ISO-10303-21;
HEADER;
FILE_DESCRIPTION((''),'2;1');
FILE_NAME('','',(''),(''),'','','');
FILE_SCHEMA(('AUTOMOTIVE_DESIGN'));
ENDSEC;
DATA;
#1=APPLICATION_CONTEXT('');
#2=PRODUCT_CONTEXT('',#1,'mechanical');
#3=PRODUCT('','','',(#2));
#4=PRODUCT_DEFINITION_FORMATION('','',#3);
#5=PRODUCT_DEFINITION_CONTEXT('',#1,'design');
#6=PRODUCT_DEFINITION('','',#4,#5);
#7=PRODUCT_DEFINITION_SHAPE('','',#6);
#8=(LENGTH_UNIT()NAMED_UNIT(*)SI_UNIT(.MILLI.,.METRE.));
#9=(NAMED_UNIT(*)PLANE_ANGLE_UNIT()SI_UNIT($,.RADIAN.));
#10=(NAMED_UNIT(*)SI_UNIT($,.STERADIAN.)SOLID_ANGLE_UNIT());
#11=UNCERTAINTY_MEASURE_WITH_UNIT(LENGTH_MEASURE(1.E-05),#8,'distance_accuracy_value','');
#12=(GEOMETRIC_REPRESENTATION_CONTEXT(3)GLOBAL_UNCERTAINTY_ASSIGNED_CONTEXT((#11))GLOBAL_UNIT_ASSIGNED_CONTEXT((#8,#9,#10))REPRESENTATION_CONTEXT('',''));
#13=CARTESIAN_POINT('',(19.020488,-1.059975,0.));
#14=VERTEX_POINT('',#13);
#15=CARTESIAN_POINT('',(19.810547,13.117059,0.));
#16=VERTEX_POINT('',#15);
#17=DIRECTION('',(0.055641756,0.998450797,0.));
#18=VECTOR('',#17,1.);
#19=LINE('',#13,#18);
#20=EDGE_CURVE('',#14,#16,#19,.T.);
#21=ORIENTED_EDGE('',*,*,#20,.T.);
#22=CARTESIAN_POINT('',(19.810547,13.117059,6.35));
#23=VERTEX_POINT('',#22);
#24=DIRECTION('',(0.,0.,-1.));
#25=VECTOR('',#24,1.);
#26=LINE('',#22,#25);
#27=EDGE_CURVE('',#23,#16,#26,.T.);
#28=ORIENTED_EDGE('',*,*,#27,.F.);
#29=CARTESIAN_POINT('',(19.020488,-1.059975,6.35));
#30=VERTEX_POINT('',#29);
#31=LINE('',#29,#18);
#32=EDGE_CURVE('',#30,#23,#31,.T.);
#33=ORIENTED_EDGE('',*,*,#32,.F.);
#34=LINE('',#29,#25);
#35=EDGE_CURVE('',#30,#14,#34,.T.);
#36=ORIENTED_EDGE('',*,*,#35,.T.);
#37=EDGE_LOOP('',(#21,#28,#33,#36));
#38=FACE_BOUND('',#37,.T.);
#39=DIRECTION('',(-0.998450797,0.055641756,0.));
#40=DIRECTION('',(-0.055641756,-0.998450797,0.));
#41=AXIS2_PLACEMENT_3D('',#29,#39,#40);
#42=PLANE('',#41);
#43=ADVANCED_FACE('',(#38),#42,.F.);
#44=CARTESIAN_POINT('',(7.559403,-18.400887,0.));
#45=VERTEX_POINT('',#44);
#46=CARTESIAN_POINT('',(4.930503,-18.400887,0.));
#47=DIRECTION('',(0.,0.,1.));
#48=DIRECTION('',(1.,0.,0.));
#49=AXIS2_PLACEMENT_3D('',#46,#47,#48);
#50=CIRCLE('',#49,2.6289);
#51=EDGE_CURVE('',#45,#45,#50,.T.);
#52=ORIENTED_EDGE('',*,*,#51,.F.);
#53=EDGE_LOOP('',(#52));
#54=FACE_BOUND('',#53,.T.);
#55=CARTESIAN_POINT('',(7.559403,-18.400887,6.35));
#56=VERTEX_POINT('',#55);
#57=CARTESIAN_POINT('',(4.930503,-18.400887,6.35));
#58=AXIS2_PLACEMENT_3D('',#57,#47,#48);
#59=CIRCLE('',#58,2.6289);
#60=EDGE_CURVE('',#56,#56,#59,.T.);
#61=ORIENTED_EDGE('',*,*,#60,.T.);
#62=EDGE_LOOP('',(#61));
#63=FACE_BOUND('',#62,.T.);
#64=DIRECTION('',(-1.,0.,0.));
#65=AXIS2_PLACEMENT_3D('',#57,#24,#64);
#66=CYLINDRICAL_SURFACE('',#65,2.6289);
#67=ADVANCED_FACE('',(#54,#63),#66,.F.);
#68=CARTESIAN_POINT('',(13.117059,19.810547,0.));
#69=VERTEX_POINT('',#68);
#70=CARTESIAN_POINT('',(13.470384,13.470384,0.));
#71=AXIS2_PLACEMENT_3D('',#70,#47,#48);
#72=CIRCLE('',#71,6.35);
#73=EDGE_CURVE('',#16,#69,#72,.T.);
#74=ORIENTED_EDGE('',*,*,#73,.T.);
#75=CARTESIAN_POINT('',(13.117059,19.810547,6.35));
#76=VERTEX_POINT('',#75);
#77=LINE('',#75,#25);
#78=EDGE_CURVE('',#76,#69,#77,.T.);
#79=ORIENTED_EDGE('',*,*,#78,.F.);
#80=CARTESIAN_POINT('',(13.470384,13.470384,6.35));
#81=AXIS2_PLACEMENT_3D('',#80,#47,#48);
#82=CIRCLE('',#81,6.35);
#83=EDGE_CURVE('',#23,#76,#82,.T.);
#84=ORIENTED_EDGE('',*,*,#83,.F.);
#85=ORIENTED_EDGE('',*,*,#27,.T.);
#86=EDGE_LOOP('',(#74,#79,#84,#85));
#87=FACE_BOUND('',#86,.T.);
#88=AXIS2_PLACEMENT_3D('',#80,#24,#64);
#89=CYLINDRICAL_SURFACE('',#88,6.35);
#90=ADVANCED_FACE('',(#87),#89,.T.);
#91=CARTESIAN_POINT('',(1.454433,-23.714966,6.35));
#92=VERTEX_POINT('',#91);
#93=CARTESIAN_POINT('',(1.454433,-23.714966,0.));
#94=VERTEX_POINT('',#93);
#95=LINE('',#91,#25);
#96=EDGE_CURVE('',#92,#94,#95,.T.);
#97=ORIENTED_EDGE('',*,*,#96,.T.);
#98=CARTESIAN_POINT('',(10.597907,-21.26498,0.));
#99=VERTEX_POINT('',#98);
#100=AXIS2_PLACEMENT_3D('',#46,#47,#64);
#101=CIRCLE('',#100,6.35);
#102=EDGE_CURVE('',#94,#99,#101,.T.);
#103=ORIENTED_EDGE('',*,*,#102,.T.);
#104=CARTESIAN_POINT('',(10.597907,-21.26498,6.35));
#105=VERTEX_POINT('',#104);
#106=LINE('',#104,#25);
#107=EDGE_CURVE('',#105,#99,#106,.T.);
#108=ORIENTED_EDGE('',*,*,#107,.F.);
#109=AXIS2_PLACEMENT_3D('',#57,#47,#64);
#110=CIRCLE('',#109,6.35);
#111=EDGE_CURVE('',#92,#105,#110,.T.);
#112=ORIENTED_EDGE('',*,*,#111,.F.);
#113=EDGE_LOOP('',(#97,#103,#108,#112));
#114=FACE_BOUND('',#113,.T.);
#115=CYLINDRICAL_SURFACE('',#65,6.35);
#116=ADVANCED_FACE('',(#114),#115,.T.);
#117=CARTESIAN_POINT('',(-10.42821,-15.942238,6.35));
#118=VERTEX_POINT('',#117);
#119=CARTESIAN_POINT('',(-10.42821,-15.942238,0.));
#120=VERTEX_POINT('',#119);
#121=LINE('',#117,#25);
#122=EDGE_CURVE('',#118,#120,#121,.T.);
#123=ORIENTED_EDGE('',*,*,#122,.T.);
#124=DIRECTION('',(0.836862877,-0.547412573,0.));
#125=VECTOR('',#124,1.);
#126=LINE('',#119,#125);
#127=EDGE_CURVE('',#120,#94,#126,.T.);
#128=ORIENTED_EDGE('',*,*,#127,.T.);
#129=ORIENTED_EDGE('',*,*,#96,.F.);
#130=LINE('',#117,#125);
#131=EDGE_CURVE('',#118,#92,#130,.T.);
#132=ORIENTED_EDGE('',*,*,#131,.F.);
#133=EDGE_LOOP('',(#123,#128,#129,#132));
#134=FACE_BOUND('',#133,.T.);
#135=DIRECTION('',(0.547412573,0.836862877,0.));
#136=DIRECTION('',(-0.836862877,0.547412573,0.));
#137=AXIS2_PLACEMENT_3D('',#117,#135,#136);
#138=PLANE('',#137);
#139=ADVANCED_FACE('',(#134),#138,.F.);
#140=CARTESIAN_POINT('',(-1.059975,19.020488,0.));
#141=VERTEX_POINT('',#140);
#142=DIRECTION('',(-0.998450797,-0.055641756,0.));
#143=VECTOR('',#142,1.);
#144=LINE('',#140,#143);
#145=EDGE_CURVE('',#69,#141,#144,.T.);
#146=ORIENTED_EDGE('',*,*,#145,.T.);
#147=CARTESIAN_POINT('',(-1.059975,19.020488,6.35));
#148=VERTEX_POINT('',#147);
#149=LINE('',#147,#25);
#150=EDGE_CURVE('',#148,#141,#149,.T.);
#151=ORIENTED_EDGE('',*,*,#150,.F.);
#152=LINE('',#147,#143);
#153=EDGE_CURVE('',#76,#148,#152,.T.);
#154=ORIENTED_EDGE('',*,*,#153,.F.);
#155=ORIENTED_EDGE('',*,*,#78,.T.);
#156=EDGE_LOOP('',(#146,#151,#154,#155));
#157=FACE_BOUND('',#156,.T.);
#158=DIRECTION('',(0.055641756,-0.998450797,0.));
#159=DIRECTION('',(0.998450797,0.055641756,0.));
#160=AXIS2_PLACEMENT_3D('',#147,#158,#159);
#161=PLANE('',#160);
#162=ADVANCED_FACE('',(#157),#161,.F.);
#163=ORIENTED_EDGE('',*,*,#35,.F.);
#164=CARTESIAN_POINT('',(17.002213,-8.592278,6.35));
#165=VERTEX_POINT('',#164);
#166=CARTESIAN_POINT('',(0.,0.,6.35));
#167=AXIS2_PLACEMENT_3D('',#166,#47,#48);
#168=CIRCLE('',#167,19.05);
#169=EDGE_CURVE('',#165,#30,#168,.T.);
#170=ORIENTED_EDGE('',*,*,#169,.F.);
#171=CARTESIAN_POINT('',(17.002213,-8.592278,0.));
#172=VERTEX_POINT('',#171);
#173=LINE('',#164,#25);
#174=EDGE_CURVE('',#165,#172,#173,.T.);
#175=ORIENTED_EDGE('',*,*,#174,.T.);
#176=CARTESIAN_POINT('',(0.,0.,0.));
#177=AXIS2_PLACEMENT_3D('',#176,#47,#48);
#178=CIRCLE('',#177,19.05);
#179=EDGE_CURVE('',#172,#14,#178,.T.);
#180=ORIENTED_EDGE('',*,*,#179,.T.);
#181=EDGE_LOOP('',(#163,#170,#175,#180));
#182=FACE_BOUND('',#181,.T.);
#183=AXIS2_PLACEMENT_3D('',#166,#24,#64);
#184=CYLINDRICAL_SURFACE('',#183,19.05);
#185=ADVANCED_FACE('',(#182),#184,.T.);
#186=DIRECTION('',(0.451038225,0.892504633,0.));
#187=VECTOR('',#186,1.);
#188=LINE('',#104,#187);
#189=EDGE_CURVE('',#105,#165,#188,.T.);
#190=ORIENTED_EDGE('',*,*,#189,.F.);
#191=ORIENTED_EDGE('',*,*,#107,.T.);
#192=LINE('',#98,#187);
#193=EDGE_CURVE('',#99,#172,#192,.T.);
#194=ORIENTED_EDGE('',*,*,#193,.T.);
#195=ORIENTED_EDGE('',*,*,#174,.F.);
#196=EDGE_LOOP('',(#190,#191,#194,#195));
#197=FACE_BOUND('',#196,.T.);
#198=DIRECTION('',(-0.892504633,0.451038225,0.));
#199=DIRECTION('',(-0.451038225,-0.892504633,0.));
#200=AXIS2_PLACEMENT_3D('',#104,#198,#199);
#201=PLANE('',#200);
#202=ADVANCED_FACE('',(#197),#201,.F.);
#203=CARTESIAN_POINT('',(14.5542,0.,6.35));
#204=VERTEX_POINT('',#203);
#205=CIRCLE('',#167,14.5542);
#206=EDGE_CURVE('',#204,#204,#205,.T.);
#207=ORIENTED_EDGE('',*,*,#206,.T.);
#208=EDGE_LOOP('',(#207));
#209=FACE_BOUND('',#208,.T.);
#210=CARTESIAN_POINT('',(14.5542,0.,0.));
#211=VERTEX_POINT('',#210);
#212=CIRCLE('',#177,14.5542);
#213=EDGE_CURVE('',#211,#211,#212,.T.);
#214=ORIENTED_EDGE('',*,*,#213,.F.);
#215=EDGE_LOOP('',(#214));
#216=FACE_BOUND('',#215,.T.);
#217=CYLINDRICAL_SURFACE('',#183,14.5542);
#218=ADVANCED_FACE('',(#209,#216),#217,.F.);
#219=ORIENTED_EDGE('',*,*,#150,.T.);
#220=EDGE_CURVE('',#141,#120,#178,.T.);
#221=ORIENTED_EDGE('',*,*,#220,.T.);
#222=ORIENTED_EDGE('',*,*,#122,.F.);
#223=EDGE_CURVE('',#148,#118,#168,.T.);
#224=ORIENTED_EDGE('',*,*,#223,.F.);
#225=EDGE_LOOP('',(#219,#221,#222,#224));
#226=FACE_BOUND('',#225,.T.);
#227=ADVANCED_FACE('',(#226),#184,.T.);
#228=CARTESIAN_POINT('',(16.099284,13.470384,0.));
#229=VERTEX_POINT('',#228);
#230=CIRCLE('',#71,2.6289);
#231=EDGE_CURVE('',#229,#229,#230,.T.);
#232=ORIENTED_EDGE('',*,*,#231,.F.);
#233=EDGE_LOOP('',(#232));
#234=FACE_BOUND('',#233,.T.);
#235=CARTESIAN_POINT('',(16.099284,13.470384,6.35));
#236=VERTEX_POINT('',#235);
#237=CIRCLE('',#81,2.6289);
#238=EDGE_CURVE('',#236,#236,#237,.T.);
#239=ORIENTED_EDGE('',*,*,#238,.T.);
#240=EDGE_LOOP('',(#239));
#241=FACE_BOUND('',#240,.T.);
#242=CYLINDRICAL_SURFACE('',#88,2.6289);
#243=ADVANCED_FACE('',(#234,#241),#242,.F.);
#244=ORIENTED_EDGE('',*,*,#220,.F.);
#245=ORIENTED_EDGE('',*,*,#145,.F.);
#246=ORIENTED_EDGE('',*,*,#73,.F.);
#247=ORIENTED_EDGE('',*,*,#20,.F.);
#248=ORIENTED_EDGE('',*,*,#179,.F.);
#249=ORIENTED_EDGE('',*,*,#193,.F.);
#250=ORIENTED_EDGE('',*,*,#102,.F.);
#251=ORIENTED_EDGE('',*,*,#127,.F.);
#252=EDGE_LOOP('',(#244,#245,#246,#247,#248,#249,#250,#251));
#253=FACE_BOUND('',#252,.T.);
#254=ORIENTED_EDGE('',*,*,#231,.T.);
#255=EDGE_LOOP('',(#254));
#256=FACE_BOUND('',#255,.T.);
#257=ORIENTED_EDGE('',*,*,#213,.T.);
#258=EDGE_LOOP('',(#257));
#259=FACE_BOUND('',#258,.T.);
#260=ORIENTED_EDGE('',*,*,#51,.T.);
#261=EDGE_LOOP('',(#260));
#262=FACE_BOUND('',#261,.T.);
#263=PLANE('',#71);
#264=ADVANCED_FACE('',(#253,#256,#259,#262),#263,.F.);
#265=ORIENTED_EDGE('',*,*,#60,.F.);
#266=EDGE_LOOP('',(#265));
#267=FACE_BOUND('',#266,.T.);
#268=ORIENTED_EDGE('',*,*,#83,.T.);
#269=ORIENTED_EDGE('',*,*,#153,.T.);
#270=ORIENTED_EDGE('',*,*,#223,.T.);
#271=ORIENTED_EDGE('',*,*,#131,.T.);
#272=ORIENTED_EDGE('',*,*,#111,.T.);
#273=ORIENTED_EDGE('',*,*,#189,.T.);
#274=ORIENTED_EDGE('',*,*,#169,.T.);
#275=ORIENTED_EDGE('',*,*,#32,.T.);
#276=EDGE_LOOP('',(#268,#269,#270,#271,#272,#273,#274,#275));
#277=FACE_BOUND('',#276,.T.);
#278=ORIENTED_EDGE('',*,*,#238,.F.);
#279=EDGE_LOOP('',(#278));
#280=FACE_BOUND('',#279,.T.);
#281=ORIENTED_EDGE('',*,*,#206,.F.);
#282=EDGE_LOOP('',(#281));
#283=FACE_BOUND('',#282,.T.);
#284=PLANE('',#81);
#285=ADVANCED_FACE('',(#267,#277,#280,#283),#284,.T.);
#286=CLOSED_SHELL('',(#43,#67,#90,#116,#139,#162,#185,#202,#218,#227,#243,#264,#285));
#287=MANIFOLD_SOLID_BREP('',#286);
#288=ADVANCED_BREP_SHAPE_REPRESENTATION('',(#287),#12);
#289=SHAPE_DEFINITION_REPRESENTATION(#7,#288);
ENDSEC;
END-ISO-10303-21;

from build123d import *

# Parameters (mm, degrees)
SKETCH1_R           = 14.5542
SKETCH1_R_2         = 2.6289
BOSS_EXTRUDE1_DEPTH = 6.35


with BuildPart() as part:
    # Sketch1 → Boss-Extrude1 (new body)
    with BuildSketch(Plane.XY):
        with BuildLine():
            Line((-10.428209513, -15.942237809), (1.454432972, -23.71496626))
            ThreePointArc((1.454432972, -23.71496626), (6.574003746, -24.534515988), (10.597907229, -21.264979717))
            Line((10.597907229, -21.264979717), (17.002213259, -8.592278179))
            ThreePointArc((17.002213259, -8.592278179), (18.400886991, -4.930502809), (19.020487692, -1.05997545))
            Line((19.020487692, -1.05997545), (19.810546746, 13.117059032))
            ThreePointArc((19.810546746, 13.117059032), (17.960512242, 17.960512242), (13.117059032, 19.810546746))
            Line((13.117059032, 19.810546746), (-1.05997545, 19.020487692))
            ThreePointArc((-1.05997545, 19.020487692), (-18.400886991, 4.930502809), (-10.428209513, -15.942237809))
        make_face()
        Circle(SKETCH1_R, mode=Mode.SUBTRACT)
        with Locations((4.930502809, -18.400886991)):
            Circle(SKETCH1_R_2, mode=Mode.SUBTRACT)
        with Locations((13.470384182, 13.470384182)):
            Circle(SKETCH1_R_2, mode=Mode.SUBTRACT)
    extrude(amount=BOSS_EXTRUDE1_DEPTH)


solid = part.part
